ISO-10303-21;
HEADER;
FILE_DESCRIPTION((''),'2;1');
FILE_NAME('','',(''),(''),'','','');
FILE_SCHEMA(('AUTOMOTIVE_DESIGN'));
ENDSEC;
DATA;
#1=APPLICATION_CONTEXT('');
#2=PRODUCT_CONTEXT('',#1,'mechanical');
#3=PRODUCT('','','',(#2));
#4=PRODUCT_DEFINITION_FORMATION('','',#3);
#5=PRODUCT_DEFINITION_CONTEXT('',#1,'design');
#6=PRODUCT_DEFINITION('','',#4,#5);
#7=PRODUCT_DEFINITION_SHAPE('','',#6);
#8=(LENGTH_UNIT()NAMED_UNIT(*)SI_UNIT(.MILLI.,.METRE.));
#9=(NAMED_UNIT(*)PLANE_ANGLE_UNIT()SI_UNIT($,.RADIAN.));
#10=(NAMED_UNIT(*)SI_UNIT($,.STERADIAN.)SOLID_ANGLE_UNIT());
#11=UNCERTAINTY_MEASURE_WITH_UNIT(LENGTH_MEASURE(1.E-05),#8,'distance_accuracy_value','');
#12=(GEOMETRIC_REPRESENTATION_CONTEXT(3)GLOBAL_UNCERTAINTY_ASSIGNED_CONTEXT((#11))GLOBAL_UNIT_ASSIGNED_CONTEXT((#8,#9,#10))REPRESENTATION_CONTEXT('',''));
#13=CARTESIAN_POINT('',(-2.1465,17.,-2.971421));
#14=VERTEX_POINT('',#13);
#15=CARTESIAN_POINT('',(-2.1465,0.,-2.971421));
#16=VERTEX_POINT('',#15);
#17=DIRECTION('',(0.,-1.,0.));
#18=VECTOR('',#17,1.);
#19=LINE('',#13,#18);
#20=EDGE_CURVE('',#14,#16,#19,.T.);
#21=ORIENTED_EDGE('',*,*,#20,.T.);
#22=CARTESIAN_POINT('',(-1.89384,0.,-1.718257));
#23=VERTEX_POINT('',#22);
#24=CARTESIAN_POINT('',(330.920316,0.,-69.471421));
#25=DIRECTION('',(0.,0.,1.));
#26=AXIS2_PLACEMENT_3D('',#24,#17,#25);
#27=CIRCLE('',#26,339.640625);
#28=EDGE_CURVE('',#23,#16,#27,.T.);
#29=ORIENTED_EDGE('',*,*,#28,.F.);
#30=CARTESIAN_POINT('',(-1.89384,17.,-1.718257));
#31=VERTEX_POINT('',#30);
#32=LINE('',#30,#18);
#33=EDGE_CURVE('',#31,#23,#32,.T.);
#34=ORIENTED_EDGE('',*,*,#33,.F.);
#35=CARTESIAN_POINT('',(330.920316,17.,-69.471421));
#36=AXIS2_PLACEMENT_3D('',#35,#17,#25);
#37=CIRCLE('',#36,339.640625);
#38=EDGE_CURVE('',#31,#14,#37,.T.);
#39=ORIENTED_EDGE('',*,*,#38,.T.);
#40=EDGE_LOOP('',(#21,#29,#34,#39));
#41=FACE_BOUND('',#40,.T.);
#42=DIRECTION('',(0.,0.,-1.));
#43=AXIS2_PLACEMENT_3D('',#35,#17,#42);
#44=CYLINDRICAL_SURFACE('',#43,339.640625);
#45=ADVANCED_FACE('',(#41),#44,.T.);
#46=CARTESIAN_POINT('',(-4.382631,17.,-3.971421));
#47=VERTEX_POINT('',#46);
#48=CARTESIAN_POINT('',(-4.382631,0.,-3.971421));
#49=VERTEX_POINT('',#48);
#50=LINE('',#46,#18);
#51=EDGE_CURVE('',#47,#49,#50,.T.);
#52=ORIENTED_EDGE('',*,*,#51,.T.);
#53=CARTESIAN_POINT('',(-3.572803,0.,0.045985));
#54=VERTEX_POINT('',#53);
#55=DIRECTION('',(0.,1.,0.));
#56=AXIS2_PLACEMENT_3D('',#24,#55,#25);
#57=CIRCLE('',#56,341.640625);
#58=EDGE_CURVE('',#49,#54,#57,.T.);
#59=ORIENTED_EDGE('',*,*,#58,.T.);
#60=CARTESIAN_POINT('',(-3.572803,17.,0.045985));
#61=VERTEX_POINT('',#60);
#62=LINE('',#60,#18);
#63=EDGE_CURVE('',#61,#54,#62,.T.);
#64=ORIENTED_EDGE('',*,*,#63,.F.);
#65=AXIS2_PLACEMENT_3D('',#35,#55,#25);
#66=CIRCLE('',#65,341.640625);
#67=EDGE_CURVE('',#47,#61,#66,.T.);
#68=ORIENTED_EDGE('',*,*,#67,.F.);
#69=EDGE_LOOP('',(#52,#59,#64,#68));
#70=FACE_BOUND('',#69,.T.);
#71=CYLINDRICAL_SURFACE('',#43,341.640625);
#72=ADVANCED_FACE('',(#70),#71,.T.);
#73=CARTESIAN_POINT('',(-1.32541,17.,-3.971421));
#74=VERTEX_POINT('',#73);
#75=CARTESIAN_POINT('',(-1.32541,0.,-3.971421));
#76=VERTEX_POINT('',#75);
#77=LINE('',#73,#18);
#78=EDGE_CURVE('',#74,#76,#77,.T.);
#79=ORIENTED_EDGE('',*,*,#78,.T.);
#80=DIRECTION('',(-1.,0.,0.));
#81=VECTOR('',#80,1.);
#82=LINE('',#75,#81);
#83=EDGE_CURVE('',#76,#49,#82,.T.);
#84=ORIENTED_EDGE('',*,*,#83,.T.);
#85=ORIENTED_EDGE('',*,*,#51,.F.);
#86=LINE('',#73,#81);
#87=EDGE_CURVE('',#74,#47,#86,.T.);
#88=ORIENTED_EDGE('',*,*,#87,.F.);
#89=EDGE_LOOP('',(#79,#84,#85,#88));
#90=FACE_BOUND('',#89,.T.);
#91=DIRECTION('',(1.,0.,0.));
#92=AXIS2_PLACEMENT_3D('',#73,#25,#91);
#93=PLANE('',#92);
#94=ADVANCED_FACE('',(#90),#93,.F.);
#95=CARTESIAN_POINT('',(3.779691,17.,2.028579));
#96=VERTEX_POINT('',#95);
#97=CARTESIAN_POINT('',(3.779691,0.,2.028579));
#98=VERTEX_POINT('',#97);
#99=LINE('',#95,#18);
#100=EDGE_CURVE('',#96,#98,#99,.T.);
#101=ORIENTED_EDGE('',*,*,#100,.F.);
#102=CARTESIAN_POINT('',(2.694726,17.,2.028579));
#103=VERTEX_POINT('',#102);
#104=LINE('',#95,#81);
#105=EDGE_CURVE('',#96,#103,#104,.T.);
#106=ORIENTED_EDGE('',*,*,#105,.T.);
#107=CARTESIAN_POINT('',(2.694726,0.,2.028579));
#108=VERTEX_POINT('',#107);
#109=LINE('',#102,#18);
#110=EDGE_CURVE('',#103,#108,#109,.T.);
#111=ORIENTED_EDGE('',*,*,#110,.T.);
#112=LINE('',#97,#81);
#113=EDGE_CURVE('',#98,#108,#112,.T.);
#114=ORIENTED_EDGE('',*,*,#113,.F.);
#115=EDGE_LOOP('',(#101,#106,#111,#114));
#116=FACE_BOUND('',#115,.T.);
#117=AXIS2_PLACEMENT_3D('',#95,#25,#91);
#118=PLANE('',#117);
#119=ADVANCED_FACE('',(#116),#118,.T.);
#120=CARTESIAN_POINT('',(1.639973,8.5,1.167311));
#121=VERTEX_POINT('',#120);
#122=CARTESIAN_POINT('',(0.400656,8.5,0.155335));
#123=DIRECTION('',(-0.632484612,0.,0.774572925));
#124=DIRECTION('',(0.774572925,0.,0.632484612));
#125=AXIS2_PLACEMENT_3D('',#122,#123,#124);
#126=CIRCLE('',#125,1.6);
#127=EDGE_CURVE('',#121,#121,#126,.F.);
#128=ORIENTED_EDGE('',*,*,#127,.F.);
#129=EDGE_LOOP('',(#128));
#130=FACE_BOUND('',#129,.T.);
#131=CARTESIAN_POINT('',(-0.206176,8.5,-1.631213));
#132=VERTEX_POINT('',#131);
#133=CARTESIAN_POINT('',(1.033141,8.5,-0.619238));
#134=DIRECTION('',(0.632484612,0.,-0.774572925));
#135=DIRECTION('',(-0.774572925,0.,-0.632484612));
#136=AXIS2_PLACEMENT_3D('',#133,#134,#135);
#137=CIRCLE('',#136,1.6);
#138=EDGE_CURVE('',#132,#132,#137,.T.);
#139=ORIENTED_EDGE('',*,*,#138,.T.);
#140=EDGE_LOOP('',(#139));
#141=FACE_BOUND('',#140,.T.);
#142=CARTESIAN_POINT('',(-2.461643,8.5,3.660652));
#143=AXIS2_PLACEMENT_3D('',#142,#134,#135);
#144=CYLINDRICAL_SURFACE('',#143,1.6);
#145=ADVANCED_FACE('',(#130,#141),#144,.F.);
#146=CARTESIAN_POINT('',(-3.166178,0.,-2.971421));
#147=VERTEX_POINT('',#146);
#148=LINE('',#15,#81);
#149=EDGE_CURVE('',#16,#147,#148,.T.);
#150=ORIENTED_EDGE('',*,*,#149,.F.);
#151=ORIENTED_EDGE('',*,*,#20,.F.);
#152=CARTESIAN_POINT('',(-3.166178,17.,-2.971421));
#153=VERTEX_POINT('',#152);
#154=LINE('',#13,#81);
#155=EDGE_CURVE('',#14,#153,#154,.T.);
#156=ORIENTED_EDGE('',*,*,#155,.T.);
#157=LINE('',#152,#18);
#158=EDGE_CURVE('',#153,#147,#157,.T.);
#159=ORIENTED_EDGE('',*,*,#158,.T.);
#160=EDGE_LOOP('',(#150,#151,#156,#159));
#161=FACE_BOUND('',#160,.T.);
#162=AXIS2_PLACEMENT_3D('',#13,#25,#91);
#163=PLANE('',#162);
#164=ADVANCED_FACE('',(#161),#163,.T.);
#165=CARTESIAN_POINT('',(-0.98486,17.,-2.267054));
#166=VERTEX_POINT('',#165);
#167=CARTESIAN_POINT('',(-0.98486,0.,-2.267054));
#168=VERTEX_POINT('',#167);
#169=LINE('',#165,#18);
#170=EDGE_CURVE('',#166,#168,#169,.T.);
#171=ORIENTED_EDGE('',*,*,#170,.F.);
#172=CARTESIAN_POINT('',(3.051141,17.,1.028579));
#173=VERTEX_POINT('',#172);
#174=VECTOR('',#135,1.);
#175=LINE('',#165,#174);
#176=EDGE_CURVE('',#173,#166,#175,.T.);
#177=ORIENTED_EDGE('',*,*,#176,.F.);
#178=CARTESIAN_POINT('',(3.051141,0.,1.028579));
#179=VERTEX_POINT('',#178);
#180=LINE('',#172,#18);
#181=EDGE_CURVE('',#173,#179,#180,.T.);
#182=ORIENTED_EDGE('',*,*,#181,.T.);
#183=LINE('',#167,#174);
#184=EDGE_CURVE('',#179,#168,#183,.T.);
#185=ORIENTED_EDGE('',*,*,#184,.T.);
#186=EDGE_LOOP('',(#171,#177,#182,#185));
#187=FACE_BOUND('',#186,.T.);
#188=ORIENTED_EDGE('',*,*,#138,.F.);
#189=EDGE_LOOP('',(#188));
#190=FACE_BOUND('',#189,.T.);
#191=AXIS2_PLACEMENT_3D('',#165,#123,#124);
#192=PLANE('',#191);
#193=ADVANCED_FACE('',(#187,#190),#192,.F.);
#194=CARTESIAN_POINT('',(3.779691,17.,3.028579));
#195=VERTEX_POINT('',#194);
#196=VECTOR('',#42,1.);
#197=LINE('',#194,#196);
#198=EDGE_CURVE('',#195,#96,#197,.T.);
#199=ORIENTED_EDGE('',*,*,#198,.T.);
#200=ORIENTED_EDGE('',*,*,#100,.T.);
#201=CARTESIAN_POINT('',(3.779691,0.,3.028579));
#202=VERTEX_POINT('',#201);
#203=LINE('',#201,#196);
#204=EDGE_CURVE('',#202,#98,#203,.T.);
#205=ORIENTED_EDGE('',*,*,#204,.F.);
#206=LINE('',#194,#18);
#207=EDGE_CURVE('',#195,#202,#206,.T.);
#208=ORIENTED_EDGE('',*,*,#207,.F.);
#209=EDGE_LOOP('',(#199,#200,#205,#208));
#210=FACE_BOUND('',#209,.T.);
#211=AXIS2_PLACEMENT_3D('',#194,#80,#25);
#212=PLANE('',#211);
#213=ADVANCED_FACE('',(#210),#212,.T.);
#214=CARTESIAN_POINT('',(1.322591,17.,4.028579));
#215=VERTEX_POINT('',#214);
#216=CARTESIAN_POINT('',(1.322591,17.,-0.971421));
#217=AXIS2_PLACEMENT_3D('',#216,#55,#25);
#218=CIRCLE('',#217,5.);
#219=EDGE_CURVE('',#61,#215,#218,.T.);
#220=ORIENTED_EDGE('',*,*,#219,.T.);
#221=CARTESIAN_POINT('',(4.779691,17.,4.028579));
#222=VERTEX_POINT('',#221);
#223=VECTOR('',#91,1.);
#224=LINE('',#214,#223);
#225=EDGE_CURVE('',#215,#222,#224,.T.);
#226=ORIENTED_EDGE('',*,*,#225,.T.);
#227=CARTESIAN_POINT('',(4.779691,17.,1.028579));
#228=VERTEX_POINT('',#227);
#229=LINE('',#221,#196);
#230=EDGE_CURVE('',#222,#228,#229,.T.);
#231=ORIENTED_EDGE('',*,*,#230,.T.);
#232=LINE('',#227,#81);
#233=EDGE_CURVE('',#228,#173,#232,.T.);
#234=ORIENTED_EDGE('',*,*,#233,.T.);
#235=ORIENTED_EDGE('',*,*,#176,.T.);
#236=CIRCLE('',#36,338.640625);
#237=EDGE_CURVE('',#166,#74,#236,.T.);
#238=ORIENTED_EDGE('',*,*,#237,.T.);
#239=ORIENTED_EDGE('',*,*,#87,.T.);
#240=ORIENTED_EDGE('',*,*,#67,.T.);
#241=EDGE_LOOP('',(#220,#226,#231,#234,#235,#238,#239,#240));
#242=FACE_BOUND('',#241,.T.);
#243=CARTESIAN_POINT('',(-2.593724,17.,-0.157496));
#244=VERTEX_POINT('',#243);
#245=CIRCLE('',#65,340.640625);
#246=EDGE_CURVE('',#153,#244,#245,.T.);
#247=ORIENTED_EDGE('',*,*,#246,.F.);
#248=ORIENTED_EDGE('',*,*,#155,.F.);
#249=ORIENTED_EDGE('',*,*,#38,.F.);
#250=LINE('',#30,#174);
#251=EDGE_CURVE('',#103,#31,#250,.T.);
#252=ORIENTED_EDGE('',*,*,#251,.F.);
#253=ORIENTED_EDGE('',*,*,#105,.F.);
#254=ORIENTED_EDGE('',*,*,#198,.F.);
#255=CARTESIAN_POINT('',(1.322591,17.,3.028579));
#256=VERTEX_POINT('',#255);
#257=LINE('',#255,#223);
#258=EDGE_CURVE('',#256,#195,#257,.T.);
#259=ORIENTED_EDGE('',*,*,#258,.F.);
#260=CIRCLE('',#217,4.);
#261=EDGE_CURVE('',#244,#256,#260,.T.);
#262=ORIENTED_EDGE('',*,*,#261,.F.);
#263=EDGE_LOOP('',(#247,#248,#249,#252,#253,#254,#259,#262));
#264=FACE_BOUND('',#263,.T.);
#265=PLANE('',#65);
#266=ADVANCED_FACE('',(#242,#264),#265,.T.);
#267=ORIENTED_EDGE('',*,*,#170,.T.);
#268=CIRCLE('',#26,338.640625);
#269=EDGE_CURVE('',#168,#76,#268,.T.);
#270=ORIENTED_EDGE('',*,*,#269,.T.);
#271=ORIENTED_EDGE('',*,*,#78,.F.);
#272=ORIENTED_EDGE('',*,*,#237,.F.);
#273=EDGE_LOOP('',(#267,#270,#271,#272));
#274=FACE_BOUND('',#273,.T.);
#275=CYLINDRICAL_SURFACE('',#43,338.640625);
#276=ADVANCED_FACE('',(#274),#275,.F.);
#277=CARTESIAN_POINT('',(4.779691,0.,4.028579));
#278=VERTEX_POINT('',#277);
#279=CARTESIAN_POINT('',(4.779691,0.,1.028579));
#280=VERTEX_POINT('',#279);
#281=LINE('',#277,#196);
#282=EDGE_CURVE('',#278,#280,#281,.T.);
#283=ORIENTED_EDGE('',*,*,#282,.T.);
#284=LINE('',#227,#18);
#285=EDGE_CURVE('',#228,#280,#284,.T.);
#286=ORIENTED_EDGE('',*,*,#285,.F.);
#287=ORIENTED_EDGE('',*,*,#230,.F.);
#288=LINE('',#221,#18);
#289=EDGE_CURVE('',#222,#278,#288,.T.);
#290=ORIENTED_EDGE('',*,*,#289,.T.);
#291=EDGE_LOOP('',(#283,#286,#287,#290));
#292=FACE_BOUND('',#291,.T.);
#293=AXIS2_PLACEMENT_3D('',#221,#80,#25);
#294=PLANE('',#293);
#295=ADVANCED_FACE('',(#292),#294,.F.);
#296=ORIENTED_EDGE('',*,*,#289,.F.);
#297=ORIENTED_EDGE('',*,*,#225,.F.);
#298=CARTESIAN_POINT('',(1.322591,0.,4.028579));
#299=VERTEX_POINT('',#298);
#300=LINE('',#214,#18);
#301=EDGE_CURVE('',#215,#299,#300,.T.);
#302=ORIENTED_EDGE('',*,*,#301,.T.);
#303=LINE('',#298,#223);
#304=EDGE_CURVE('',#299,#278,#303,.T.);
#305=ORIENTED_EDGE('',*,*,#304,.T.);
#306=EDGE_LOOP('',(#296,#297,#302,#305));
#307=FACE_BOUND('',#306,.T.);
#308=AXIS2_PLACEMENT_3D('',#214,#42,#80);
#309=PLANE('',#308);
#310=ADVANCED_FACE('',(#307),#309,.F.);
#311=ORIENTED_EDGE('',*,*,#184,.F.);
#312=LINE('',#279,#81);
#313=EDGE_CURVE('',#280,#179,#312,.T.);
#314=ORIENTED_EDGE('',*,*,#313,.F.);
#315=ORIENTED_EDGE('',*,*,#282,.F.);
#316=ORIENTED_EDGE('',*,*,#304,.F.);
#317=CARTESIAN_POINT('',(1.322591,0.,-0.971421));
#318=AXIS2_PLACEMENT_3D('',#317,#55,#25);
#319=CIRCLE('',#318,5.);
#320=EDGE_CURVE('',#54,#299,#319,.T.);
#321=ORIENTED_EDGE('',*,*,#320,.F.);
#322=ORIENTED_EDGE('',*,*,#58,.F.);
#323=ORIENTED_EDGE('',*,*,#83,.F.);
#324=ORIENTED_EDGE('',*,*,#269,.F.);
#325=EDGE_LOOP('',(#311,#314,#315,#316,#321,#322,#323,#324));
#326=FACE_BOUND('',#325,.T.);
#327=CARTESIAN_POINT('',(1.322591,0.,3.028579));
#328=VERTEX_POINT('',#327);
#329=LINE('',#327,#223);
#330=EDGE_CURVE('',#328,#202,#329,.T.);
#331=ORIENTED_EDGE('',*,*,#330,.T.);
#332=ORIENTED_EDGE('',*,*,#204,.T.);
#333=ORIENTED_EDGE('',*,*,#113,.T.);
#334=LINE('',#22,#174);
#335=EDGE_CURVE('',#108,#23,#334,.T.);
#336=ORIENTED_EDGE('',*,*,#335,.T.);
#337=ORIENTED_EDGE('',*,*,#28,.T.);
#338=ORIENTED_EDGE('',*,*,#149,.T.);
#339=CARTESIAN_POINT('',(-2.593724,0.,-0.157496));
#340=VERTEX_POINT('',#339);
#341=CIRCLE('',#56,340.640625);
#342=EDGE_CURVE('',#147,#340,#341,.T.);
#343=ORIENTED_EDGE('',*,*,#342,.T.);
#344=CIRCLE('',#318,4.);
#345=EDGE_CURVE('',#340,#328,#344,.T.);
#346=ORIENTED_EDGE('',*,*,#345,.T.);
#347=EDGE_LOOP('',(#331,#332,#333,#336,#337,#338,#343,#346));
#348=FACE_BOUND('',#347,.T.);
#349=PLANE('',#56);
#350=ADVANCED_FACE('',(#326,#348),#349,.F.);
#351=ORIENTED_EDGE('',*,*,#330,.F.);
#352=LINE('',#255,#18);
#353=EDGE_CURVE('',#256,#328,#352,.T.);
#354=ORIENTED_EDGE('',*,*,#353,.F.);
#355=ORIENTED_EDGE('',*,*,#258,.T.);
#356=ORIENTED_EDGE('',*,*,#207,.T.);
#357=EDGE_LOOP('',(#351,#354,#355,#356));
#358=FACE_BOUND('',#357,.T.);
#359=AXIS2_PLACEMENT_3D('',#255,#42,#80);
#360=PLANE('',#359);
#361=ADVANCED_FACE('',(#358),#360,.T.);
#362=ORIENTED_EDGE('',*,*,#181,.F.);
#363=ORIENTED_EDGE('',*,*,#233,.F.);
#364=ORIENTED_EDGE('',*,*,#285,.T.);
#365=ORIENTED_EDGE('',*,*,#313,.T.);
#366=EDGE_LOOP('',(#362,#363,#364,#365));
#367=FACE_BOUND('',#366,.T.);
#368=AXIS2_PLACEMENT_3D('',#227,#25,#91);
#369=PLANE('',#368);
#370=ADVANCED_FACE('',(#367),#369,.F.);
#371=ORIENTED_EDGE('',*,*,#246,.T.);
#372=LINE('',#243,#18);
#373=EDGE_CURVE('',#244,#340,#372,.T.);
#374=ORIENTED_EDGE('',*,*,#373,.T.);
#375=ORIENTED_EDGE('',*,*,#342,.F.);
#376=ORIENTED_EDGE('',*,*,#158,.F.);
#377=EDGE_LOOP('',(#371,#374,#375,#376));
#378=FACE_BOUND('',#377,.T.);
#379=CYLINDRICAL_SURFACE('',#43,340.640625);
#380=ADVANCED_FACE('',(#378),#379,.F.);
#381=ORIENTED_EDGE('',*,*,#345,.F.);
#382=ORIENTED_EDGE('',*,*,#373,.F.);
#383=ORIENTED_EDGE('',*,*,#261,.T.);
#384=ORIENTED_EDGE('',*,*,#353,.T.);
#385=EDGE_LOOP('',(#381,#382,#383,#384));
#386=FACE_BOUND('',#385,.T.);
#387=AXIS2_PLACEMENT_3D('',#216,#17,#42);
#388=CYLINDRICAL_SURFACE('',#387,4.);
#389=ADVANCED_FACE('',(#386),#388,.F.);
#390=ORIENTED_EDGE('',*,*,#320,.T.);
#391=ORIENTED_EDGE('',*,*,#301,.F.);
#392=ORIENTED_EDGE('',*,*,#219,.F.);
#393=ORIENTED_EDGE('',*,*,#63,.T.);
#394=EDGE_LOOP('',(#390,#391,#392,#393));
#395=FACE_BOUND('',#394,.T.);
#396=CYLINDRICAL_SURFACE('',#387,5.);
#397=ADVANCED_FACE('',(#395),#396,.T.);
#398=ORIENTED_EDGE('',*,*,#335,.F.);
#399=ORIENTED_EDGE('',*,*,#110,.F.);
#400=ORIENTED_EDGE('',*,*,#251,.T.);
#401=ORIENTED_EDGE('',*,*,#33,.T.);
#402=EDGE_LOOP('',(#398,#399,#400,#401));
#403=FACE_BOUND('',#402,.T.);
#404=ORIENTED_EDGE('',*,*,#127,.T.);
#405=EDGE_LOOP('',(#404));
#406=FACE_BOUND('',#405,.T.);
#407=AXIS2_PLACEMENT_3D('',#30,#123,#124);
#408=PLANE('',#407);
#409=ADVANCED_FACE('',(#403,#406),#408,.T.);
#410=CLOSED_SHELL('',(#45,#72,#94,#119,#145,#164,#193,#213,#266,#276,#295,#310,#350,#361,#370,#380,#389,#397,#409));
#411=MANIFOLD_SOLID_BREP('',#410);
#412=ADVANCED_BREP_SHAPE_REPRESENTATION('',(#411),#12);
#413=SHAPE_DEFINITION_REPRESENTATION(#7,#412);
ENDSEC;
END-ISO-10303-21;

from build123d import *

# Parameters (mm, degrees)
BOSS_EXTRUDE1_DEPTH = 17
SKETCH4_R           = 1.6
CUT_EXTRUDE2_DEPTH  = 1


with BuildPart() as part:
    # Sketch1 → Boss-Extrude1 (new body)
    with BuildSketch(Plane(origin=(0, 0, 0), x_dir=(1, 0, 0), z_dir=(0, 1, 0))):
        with BuildLine():
            Line((1.322591209, -4.028579324), (4.779691323, -4.028579324))
            Line((4.779691323, -4.028579324), (4.779691323, -1.028579324))
            Line((4.779691323, -1.028579324), (3.051141266, -1.028579324))
            Line((3.051141266, -1.028579324), (-0.984859984, 2.26705444))
            ThreePointArc((-0.984859984, 2.26705444), (-1.156228622, 3.119019075), (-1.325410362, 3.971420676))
            Line((-1.325410362, 3.971420676), (-4.382631249, 3.971420676))
            ThreePointArc((-4.382631249, 3.971420676), (-3.983741211, 1.961503644), (-3.572803177, -0.045984755))
            ThreePointArc((-3.572803177, -0.045984755), (-1.83279885, -2.907176181), (1.322591209, -4.028579324))
        make_face()
        with BuildLine():
            Line((3.779691323, -3.028579324), (3.779691323, -2.028579324))
            Line((3.779691323, -2.028579324), (2.694726151, -2.028579324))
            Line((2.694726151, -2.028579324), (-1.893840411, 1.718256703))
            ThreePointArc((-1.893840411, 1.718256703), (-2.020759818, 2.344719816), (-2.146500023, 2.971420676))
            Line((-2.146500023, 2.971420676), (-3.166177568, 2.971420676))
            ThreePointArc((-3.166177568, 2.971420676), (-2.882916081, 1.563855286), (-2.5937243, 0.157496332))
            ThreePointArc((-2.5937243, 0.157496332), (-1.201720839, -2.131456809), (1.322591209, -3.028579324))
            Line((1.322591209, -3.028579324), (3.779691323, -3.028579324))
        make_face(mode=Mode.SUBTRACT)
    extrude(amount=BOSS_EXTRUDE1_DEPTH)

    # Sketch4 → Cut-Extrude2 (cut)
    with BuildSketch(Plane(origin=(0.716662117, 0, -0.877660993), x_dir=(-0.774572925, 0, -0.632484612), z_dir=(0.632484612, 0, -0.774572925))):
        with Locations((-0.408584542, 8.5)):
            Circle(SKETCH4_R)
    extrude(amount=-CUT_EXTRUDE2_DEPTH, mode=Mode.SUBTRACT)


solid = part.part
